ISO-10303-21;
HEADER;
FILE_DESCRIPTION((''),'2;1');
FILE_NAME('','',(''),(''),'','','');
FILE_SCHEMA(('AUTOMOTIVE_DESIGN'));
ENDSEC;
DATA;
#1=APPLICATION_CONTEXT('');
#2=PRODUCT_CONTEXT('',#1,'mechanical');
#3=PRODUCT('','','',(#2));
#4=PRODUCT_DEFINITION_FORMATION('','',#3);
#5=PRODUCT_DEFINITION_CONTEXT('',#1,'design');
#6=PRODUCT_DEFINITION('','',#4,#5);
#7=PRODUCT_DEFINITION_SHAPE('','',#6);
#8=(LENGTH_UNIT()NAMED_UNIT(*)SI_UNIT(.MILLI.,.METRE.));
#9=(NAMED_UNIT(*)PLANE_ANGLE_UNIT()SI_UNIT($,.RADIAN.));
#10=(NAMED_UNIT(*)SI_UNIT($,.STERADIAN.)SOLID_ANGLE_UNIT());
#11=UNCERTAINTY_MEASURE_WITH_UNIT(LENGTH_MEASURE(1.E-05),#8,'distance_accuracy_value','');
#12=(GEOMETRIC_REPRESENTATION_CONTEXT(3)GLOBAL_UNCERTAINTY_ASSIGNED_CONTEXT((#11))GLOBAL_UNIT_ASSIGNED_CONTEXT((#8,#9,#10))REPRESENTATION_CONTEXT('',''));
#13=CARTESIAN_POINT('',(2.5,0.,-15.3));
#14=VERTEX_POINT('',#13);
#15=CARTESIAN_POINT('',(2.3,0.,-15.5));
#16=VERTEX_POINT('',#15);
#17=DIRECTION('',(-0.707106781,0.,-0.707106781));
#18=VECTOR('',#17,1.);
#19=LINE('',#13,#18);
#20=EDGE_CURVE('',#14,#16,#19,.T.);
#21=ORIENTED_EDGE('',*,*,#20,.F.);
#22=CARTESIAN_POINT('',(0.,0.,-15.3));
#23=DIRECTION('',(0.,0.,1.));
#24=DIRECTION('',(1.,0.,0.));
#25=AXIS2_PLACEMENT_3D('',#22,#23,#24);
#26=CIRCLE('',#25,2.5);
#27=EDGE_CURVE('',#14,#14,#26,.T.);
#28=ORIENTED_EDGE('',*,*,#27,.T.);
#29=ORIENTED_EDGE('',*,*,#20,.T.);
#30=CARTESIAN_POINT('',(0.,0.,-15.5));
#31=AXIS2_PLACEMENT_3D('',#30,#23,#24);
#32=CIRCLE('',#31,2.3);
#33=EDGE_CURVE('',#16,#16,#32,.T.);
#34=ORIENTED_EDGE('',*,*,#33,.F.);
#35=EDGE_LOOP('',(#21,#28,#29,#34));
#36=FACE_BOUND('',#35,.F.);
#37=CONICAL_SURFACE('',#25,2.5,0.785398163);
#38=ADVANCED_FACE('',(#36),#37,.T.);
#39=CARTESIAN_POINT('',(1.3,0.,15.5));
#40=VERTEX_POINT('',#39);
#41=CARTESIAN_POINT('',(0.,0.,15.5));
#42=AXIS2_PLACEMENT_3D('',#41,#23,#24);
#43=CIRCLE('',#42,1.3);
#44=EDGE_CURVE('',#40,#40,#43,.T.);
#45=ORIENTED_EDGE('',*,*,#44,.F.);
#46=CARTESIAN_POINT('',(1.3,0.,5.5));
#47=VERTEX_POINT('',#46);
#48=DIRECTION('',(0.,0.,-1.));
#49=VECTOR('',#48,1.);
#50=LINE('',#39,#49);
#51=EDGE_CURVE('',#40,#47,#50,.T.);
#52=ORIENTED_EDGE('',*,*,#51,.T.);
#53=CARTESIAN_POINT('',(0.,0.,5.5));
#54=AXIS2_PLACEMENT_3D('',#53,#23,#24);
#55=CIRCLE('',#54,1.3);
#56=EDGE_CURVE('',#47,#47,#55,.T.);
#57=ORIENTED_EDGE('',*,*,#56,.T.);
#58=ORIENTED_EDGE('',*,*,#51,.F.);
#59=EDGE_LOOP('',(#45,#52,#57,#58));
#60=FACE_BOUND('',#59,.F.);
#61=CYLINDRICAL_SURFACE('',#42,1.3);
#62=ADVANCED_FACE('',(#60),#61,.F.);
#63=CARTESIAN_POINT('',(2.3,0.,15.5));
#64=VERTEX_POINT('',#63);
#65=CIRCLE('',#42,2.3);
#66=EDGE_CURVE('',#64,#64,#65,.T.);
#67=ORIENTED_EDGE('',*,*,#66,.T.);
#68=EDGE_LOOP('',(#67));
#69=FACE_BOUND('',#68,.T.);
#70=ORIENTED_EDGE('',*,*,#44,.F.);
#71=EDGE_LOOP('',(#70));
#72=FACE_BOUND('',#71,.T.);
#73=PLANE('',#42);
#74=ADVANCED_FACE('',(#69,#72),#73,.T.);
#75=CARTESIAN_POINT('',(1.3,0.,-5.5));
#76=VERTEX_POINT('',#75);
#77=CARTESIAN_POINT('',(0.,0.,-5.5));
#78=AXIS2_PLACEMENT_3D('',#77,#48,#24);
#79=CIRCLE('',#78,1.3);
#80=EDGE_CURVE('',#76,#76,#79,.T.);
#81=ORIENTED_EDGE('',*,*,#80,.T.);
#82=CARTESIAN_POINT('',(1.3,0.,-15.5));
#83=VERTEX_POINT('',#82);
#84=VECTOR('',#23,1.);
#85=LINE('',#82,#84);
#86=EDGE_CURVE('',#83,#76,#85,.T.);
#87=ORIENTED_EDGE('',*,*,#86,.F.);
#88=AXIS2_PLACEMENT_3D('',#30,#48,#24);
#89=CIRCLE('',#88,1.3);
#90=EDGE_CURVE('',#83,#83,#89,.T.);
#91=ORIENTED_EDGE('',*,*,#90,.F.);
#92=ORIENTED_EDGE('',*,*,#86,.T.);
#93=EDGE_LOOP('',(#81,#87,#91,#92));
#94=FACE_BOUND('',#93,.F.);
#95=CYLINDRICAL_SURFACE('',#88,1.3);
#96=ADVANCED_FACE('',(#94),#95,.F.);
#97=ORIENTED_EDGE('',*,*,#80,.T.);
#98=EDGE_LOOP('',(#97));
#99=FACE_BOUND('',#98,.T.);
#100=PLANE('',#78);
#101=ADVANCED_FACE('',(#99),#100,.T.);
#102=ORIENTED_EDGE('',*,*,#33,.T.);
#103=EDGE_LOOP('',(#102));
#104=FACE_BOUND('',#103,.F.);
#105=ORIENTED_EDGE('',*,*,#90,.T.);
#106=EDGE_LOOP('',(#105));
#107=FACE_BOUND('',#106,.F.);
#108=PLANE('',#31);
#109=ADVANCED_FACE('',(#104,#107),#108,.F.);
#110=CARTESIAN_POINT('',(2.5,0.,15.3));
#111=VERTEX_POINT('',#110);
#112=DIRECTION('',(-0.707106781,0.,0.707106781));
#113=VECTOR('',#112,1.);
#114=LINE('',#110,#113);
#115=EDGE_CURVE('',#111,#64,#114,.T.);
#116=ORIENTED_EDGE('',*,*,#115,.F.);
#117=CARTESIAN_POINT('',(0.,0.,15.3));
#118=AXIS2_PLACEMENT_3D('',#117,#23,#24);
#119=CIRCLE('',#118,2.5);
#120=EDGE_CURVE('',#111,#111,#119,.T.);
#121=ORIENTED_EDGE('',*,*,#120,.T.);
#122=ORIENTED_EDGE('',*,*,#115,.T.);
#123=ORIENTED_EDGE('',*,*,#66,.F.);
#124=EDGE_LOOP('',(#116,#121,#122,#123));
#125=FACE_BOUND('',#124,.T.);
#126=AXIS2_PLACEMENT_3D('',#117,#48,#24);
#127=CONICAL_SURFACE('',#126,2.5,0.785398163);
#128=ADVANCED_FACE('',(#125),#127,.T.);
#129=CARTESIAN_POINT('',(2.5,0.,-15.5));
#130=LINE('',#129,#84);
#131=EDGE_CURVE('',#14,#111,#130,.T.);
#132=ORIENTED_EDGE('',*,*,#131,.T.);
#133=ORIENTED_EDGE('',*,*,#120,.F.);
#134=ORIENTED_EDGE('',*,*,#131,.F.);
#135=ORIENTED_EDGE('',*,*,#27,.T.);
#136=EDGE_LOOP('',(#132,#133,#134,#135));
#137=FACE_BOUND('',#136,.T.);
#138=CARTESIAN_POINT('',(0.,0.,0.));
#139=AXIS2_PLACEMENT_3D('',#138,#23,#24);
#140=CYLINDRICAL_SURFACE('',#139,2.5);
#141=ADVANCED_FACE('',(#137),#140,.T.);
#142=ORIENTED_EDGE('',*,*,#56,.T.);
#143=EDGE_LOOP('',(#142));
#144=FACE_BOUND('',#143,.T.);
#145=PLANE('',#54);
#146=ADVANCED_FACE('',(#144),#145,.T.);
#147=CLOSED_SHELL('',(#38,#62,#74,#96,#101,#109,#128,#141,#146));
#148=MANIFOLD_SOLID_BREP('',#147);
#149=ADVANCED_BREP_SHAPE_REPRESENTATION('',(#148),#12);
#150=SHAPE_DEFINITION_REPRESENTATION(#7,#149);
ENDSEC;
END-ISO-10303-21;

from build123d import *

# Parameters (mm, degrees)
F0_R     = 2.5
F1_DEPTH = 15.5
F2_R     = 1.3
F3_DEPTH = 10
F4_R     = 1.3
F5_DEPTH = 10
F6_SIZE  = 0.2


with BuildPart() as f1:
    # F0 (on Top) → F1 (new body, symmetric)
    with BuildSketch(Plane.XY):
        Circle(F0_R)
    extrude(amount=F1_DEPTH, both=True)

    # F2 (on face) → F3 (cut)
    with BuildSketch(Plane.XY.offset(15.5)):
        Circle(F2_R)
    extrude(amount=-F3_DEPTH, mode=Mode.SUBTRACT)

    # F4 (on face) → F5 (cut)
    with BuildSketch(Plane(origin=(0, 0, -15.5), x_dir=(1, 0, 0), z_dir=(0, 0, -1))):
        Circle(F4_R)
    extrude(amount=-F5_DEPTH, mode=Mode.SUBTRACT)

    # F6
    f6_edges = [f1.edges().sort_by_distance(p)[0] for p in [
        (-2.5, 0, -15.5),
        (2.5, 0, 0),
        (-2.5, 0, 15.5),
    ]]
    chamfer(f6_edges, length=F6_SIZE)


solid = f1.part
